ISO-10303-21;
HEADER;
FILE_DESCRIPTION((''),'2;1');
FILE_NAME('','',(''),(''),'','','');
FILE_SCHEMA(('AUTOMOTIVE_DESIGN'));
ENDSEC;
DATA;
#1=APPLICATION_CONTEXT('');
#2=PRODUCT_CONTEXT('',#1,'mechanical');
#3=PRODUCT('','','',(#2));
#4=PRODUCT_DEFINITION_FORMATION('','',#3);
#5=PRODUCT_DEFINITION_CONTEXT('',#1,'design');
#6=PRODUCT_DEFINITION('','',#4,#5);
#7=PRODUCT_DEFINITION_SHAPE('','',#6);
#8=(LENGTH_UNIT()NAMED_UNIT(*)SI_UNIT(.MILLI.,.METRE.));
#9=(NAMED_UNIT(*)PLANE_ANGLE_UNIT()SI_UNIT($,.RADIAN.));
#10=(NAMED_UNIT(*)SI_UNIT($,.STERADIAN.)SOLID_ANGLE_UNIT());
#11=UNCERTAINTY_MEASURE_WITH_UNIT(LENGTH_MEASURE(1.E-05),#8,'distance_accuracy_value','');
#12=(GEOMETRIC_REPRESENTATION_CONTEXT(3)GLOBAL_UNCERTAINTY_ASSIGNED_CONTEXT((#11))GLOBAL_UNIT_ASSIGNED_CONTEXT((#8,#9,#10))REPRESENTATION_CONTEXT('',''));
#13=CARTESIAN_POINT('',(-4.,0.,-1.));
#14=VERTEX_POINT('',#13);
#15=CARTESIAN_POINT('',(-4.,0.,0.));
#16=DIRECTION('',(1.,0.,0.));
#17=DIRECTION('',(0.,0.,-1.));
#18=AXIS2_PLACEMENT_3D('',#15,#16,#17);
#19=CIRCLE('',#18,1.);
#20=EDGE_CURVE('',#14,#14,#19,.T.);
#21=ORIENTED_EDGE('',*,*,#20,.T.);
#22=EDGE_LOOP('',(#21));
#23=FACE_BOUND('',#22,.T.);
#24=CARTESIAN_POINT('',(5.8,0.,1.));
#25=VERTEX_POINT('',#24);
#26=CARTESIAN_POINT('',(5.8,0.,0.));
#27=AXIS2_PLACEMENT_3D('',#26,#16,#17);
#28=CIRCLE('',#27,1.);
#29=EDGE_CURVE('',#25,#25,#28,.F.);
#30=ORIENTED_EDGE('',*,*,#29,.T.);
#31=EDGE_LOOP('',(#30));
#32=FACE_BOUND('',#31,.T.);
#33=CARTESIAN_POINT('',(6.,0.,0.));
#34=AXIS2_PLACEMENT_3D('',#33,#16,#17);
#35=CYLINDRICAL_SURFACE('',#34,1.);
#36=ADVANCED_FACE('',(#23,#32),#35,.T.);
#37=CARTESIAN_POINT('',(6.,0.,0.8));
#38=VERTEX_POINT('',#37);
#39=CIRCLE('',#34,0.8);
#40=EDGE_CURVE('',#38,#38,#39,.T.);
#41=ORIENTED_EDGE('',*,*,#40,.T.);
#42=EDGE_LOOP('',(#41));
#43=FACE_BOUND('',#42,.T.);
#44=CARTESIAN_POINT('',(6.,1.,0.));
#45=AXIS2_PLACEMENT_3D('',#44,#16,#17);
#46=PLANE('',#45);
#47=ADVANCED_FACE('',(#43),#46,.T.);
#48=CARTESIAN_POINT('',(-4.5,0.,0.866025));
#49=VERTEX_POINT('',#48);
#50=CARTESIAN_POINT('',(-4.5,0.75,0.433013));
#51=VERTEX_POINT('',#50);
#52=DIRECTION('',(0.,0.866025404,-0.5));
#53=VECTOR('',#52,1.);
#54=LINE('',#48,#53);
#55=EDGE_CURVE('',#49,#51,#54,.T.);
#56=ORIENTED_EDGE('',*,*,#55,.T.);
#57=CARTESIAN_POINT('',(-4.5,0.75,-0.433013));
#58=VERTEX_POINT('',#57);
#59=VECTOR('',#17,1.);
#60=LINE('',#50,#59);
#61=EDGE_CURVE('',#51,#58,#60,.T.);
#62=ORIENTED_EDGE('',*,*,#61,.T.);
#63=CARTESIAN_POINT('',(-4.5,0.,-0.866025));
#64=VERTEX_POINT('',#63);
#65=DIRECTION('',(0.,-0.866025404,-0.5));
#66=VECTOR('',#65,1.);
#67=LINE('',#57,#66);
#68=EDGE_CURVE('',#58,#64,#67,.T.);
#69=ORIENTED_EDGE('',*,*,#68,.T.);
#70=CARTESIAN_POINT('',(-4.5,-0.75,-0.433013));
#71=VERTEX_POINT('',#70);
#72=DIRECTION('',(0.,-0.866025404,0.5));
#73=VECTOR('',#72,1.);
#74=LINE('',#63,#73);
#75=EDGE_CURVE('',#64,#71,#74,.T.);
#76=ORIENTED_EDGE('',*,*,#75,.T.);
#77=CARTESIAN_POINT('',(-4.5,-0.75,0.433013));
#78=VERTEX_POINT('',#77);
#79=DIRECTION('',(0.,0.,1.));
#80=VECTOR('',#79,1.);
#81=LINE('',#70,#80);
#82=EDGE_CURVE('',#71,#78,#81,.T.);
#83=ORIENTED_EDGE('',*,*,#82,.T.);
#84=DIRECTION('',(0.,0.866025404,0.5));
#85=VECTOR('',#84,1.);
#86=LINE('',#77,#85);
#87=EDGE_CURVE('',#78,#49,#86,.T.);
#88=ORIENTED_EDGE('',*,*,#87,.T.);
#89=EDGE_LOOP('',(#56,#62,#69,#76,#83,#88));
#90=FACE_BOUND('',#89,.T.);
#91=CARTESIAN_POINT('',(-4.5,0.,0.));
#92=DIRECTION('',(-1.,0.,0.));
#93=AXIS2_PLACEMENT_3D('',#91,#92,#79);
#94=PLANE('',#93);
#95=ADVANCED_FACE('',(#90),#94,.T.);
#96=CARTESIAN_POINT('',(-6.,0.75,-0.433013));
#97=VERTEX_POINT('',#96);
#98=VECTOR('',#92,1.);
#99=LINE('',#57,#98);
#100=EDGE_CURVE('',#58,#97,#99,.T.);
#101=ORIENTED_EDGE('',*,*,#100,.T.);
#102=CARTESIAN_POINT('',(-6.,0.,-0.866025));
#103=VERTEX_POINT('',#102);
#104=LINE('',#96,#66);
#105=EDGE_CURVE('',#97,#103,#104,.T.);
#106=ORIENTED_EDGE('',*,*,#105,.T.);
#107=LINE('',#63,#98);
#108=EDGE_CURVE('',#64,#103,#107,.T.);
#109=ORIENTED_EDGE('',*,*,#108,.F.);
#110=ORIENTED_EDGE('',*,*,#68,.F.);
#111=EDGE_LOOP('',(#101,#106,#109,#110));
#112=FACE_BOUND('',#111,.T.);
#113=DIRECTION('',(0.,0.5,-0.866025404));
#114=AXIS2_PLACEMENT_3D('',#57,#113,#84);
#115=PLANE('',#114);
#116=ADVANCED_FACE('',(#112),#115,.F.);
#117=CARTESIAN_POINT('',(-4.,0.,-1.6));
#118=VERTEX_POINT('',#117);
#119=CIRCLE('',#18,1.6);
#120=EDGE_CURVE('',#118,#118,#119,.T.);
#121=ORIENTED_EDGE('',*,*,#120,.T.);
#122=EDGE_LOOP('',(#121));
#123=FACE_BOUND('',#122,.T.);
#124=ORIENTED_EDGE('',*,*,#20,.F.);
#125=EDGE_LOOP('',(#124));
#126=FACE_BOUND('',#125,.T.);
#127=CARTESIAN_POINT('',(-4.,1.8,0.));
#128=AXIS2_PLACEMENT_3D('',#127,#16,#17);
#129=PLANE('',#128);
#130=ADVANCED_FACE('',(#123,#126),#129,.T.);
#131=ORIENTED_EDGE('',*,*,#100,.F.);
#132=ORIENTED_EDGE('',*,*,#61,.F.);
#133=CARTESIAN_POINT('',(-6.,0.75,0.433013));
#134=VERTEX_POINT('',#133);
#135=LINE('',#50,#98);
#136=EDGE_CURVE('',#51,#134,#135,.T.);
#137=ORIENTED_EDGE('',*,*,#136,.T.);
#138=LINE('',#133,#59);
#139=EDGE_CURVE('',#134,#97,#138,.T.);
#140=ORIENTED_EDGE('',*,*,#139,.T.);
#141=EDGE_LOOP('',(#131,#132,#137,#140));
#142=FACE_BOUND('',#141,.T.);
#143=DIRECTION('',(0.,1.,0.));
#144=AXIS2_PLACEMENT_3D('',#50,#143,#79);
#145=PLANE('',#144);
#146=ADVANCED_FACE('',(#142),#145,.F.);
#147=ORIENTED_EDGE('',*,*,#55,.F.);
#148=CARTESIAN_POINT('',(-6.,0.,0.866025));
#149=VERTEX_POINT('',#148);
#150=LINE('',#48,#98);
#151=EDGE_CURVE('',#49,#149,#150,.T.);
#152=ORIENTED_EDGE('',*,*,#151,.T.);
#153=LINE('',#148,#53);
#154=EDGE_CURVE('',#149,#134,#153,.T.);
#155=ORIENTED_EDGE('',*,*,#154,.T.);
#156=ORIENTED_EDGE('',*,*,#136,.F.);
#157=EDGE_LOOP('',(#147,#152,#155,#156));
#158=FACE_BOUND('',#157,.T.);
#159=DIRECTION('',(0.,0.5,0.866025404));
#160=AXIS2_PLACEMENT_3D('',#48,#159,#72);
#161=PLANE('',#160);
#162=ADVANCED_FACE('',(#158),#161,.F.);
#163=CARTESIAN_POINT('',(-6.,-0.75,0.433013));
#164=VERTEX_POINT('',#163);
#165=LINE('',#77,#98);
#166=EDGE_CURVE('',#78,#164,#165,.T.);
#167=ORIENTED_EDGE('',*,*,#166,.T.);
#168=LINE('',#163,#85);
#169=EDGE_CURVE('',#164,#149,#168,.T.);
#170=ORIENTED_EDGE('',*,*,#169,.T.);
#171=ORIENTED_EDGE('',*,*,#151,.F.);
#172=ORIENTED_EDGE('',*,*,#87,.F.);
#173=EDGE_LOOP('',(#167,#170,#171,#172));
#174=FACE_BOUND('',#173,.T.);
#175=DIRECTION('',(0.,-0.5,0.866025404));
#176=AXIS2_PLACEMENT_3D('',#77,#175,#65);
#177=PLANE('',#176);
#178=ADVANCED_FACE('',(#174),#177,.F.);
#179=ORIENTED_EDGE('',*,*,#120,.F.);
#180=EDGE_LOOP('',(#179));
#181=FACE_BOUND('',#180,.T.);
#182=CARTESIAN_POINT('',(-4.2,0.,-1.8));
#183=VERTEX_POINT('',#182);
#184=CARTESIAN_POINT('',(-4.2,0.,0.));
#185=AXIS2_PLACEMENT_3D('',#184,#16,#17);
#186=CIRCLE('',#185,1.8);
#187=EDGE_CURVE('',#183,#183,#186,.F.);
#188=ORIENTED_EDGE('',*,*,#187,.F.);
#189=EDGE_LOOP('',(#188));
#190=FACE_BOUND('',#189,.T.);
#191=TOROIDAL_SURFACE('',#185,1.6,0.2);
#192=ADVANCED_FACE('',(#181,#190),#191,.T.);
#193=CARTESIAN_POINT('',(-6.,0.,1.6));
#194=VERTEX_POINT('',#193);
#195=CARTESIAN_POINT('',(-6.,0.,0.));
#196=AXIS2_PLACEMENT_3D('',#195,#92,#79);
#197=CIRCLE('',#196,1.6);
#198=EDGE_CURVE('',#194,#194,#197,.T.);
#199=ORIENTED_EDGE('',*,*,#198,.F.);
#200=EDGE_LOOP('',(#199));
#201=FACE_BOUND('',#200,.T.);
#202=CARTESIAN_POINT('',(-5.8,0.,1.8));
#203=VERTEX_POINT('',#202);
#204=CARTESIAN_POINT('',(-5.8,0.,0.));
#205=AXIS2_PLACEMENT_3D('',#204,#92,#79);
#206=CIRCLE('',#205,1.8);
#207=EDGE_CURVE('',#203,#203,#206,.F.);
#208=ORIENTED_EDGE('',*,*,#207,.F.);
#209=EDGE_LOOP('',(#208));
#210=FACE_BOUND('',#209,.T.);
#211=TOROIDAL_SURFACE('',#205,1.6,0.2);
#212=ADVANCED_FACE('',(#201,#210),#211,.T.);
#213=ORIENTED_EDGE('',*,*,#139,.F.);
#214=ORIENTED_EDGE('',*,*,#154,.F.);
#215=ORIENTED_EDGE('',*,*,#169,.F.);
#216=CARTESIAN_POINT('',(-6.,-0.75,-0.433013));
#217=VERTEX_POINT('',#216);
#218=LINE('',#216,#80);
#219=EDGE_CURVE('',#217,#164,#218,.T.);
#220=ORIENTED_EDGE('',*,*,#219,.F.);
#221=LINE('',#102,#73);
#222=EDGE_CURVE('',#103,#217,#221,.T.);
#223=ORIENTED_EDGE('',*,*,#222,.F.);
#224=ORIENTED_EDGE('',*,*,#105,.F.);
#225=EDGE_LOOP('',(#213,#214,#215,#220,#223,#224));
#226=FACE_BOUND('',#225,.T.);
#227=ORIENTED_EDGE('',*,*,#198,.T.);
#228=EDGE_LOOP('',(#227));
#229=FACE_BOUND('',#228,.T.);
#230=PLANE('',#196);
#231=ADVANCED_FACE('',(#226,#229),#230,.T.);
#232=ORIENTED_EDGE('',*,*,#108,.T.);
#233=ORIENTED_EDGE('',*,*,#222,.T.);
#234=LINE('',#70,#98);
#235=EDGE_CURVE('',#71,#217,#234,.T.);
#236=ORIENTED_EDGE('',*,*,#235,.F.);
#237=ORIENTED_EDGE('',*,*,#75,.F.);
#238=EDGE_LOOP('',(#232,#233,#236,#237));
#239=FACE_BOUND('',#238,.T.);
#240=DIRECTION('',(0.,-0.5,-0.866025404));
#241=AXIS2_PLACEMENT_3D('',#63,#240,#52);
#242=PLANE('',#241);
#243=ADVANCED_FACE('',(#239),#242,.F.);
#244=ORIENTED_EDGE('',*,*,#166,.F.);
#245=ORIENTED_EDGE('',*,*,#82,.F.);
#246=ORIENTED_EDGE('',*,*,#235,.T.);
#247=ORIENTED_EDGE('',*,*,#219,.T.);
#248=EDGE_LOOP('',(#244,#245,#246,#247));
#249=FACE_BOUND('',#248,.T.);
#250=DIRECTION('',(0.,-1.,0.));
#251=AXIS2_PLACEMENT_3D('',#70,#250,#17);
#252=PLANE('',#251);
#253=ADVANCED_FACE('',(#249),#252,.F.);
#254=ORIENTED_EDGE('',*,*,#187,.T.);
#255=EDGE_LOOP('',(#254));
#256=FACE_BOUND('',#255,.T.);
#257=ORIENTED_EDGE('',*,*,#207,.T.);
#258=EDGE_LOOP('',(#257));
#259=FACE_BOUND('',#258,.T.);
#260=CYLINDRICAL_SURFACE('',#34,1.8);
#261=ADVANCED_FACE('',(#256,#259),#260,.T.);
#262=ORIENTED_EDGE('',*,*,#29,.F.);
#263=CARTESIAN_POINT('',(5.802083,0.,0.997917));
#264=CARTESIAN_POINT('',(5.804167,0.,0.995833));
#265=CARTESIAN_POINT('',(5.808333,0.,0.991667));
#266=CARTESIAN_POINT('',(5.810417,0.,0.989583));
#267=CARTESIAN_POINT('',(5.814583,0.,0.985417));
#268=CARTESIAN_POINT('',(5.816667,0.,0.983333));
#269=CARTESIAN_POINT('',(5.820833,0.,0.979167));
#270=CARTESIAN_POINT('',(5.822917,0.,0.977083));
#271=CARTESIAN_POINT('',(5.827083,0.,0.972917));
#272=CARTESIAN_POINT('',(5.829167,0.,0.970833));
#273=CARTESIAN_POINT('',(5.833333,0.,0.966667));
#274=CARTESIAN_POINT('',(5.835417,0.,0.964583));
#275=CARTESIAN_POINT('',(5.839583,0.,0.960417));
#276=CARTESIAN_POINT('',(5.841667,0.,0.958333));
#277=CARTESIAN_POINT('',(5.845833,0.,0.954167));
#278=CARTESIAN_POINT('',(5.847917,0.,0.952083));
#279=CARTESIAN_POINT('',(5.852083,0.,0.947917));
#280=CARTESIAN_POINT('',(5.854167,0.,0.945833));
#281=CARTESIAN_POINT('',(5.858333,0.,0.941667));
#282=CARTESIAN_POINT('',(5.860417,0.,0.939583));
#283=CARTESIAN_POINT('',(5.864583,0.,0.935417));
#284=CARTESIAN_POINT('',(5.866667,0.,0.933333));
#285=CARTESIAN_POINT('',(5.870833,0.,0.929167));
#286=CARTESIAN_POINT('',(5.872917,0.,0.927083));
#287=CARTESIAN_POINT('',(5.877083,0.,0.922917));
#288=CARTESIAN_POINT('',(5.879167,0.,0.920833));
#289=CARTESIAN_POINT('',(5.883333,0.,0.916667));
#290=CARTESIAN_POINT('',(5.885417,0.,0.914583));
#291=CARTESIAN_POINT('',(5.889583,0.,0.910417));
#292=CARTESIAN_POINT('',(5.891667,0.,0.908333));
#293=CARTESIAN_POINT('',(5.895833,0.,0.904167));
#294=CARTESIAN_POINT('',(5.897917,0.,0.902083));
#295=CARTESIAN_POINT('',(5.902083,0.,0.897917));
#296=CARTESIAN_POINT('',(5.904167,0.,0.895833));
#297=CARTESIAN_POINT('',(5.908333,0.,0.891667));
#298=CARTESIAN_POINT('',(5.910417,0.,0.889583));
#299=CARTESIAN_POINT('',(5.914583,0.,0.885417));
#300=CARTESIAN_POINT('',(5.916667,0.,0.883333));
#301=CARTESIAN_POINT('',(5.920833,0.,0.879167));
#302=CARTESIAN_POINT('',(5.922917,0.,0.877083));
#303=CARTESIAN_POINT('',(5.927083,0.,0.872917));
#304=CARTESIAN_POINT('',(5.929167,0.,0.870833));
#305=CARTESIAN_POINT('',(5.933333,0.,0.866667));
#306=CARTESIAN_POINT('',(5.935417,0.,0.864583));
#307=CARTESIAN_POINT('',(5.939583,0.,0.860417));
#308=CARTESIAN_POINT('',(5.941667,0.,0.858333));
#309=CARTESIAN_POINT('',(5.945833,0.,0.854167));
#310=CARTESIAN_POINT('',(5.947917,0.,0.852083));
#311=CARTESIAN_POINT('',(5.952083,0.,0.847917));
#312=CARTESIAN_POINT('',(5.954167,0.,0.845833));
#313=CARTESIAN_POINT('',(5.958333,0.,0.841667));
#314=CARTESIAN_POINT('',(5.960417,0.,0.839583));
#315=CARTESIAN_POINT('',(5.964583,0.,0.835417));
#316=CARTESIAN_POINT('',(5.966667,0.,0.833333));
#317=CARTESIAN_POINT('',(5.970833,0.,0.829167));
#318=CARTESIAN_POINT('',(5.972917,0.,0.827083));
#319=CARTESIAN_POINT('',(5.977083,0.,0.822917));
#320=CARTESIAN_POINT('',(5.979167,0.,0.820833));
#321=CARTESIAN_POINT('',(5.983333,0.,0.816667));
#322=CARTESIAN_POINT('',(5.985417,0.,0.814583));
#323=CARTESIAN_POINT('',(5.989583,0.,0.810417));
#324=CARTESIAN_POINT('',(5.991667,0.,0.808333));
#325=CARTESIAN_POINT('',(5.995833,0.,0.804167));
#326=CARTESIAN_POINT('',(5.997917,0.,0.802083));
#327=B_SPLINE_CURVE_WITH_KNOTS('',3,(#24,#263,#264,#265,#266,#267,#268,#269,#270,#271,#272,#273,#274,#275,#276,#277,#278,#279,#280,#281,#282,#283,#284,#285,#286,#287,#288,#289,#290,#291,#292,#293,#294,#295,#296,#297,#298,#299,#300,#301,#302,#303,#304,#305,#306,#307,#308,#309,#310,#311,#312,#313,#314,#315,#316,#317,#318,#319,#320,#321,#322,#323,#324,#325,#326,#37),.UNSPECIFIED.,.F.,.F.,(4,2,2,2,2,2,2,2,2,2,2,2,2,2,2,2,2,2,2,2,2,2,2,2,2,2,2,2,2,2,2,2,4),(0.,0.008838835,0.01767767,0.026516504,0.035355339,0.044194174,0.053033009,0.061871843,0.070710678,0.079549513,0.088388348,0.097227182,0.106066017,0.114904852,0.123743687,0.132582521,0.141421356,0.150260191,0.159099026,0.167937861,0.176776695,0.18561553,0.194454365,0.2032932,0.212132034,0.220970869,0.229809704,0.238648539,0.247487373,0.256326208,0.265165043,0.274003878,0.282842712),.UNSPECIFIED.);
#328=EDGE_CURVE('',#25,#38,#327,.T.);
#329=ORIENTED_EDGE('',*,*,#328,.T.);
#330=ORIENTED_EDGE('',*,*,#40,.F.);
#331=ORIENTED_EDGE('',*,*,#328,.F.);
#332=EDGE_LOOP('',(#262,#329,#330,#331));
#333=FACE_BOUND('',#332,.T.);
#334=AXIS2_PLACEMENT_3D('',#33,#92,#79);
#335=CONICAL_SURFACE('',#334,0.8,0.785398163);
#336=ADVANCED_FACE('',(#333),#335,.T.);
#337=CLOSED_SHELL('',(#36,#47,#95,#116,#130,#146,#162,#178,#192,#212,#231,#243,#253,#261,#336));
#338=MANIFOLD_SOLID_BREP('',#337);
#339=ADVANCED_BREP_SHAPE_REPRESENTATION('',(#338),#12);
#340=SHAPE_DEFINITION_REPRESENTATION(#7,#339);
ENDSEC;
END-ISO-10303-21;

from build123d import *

# Parameters (mm, degrees)
CUT_EXTRUDE_1_DEPTH = 1.5
FILLET_1_R          = 0.2
CHAMFER_1_SIZE      = 0.2


with BuildPart() as part:
    # 草图1 → 旋转1 (revolve)
    with BuildSketch(Plane.XY, mode=Mode.PRIVATE) as revolve_1_sk:
        Polygon((-6, 0), (-6, 1.8), (-4, 1.8), (-4, 1), (6, 1), (6, 0), align=None)
    revolve(revolve_1_sk.sketch.rotate(Axis((6, 0, 0), (-1, 0, 0)), 90), axis=Axis((6, 0, 0), (-1, 0, 0)))

    # 草图2 → 切除-拉伸1 (cut)
    with BuildSketch(Plane.ZY.offset(6)):
        Polygon((0.866025404, 0), (0.433012702, 0.75), (-0.433012702, 0.75), (-0.866025404, 0), (-0.433012702, -0.75), (0.433012702, -0.75), align=None)
    extrude(amount=-CUT_EXTRUDE_1_DEPTH, mode=Mode.SUBTRACT)

    # 圆角1
    fillet_1_edges = [part.edges().sort_by_distance(p)[0] for p in [
        (-4, 0, 1.8),
        (-6, 0, 1.8),
    ]]
    fillet(fillet_1_edges, radius=FILLET_1_R)

    # 倒角1
    chamfer_1_edges = [part.edges().sort_by_distance(p)[0] for p in [
        (6, 0, 1),
    ]]
    chamfer(chamfer_1_edges, length=CHAMFER_1_SIZE)


solid = part.part
